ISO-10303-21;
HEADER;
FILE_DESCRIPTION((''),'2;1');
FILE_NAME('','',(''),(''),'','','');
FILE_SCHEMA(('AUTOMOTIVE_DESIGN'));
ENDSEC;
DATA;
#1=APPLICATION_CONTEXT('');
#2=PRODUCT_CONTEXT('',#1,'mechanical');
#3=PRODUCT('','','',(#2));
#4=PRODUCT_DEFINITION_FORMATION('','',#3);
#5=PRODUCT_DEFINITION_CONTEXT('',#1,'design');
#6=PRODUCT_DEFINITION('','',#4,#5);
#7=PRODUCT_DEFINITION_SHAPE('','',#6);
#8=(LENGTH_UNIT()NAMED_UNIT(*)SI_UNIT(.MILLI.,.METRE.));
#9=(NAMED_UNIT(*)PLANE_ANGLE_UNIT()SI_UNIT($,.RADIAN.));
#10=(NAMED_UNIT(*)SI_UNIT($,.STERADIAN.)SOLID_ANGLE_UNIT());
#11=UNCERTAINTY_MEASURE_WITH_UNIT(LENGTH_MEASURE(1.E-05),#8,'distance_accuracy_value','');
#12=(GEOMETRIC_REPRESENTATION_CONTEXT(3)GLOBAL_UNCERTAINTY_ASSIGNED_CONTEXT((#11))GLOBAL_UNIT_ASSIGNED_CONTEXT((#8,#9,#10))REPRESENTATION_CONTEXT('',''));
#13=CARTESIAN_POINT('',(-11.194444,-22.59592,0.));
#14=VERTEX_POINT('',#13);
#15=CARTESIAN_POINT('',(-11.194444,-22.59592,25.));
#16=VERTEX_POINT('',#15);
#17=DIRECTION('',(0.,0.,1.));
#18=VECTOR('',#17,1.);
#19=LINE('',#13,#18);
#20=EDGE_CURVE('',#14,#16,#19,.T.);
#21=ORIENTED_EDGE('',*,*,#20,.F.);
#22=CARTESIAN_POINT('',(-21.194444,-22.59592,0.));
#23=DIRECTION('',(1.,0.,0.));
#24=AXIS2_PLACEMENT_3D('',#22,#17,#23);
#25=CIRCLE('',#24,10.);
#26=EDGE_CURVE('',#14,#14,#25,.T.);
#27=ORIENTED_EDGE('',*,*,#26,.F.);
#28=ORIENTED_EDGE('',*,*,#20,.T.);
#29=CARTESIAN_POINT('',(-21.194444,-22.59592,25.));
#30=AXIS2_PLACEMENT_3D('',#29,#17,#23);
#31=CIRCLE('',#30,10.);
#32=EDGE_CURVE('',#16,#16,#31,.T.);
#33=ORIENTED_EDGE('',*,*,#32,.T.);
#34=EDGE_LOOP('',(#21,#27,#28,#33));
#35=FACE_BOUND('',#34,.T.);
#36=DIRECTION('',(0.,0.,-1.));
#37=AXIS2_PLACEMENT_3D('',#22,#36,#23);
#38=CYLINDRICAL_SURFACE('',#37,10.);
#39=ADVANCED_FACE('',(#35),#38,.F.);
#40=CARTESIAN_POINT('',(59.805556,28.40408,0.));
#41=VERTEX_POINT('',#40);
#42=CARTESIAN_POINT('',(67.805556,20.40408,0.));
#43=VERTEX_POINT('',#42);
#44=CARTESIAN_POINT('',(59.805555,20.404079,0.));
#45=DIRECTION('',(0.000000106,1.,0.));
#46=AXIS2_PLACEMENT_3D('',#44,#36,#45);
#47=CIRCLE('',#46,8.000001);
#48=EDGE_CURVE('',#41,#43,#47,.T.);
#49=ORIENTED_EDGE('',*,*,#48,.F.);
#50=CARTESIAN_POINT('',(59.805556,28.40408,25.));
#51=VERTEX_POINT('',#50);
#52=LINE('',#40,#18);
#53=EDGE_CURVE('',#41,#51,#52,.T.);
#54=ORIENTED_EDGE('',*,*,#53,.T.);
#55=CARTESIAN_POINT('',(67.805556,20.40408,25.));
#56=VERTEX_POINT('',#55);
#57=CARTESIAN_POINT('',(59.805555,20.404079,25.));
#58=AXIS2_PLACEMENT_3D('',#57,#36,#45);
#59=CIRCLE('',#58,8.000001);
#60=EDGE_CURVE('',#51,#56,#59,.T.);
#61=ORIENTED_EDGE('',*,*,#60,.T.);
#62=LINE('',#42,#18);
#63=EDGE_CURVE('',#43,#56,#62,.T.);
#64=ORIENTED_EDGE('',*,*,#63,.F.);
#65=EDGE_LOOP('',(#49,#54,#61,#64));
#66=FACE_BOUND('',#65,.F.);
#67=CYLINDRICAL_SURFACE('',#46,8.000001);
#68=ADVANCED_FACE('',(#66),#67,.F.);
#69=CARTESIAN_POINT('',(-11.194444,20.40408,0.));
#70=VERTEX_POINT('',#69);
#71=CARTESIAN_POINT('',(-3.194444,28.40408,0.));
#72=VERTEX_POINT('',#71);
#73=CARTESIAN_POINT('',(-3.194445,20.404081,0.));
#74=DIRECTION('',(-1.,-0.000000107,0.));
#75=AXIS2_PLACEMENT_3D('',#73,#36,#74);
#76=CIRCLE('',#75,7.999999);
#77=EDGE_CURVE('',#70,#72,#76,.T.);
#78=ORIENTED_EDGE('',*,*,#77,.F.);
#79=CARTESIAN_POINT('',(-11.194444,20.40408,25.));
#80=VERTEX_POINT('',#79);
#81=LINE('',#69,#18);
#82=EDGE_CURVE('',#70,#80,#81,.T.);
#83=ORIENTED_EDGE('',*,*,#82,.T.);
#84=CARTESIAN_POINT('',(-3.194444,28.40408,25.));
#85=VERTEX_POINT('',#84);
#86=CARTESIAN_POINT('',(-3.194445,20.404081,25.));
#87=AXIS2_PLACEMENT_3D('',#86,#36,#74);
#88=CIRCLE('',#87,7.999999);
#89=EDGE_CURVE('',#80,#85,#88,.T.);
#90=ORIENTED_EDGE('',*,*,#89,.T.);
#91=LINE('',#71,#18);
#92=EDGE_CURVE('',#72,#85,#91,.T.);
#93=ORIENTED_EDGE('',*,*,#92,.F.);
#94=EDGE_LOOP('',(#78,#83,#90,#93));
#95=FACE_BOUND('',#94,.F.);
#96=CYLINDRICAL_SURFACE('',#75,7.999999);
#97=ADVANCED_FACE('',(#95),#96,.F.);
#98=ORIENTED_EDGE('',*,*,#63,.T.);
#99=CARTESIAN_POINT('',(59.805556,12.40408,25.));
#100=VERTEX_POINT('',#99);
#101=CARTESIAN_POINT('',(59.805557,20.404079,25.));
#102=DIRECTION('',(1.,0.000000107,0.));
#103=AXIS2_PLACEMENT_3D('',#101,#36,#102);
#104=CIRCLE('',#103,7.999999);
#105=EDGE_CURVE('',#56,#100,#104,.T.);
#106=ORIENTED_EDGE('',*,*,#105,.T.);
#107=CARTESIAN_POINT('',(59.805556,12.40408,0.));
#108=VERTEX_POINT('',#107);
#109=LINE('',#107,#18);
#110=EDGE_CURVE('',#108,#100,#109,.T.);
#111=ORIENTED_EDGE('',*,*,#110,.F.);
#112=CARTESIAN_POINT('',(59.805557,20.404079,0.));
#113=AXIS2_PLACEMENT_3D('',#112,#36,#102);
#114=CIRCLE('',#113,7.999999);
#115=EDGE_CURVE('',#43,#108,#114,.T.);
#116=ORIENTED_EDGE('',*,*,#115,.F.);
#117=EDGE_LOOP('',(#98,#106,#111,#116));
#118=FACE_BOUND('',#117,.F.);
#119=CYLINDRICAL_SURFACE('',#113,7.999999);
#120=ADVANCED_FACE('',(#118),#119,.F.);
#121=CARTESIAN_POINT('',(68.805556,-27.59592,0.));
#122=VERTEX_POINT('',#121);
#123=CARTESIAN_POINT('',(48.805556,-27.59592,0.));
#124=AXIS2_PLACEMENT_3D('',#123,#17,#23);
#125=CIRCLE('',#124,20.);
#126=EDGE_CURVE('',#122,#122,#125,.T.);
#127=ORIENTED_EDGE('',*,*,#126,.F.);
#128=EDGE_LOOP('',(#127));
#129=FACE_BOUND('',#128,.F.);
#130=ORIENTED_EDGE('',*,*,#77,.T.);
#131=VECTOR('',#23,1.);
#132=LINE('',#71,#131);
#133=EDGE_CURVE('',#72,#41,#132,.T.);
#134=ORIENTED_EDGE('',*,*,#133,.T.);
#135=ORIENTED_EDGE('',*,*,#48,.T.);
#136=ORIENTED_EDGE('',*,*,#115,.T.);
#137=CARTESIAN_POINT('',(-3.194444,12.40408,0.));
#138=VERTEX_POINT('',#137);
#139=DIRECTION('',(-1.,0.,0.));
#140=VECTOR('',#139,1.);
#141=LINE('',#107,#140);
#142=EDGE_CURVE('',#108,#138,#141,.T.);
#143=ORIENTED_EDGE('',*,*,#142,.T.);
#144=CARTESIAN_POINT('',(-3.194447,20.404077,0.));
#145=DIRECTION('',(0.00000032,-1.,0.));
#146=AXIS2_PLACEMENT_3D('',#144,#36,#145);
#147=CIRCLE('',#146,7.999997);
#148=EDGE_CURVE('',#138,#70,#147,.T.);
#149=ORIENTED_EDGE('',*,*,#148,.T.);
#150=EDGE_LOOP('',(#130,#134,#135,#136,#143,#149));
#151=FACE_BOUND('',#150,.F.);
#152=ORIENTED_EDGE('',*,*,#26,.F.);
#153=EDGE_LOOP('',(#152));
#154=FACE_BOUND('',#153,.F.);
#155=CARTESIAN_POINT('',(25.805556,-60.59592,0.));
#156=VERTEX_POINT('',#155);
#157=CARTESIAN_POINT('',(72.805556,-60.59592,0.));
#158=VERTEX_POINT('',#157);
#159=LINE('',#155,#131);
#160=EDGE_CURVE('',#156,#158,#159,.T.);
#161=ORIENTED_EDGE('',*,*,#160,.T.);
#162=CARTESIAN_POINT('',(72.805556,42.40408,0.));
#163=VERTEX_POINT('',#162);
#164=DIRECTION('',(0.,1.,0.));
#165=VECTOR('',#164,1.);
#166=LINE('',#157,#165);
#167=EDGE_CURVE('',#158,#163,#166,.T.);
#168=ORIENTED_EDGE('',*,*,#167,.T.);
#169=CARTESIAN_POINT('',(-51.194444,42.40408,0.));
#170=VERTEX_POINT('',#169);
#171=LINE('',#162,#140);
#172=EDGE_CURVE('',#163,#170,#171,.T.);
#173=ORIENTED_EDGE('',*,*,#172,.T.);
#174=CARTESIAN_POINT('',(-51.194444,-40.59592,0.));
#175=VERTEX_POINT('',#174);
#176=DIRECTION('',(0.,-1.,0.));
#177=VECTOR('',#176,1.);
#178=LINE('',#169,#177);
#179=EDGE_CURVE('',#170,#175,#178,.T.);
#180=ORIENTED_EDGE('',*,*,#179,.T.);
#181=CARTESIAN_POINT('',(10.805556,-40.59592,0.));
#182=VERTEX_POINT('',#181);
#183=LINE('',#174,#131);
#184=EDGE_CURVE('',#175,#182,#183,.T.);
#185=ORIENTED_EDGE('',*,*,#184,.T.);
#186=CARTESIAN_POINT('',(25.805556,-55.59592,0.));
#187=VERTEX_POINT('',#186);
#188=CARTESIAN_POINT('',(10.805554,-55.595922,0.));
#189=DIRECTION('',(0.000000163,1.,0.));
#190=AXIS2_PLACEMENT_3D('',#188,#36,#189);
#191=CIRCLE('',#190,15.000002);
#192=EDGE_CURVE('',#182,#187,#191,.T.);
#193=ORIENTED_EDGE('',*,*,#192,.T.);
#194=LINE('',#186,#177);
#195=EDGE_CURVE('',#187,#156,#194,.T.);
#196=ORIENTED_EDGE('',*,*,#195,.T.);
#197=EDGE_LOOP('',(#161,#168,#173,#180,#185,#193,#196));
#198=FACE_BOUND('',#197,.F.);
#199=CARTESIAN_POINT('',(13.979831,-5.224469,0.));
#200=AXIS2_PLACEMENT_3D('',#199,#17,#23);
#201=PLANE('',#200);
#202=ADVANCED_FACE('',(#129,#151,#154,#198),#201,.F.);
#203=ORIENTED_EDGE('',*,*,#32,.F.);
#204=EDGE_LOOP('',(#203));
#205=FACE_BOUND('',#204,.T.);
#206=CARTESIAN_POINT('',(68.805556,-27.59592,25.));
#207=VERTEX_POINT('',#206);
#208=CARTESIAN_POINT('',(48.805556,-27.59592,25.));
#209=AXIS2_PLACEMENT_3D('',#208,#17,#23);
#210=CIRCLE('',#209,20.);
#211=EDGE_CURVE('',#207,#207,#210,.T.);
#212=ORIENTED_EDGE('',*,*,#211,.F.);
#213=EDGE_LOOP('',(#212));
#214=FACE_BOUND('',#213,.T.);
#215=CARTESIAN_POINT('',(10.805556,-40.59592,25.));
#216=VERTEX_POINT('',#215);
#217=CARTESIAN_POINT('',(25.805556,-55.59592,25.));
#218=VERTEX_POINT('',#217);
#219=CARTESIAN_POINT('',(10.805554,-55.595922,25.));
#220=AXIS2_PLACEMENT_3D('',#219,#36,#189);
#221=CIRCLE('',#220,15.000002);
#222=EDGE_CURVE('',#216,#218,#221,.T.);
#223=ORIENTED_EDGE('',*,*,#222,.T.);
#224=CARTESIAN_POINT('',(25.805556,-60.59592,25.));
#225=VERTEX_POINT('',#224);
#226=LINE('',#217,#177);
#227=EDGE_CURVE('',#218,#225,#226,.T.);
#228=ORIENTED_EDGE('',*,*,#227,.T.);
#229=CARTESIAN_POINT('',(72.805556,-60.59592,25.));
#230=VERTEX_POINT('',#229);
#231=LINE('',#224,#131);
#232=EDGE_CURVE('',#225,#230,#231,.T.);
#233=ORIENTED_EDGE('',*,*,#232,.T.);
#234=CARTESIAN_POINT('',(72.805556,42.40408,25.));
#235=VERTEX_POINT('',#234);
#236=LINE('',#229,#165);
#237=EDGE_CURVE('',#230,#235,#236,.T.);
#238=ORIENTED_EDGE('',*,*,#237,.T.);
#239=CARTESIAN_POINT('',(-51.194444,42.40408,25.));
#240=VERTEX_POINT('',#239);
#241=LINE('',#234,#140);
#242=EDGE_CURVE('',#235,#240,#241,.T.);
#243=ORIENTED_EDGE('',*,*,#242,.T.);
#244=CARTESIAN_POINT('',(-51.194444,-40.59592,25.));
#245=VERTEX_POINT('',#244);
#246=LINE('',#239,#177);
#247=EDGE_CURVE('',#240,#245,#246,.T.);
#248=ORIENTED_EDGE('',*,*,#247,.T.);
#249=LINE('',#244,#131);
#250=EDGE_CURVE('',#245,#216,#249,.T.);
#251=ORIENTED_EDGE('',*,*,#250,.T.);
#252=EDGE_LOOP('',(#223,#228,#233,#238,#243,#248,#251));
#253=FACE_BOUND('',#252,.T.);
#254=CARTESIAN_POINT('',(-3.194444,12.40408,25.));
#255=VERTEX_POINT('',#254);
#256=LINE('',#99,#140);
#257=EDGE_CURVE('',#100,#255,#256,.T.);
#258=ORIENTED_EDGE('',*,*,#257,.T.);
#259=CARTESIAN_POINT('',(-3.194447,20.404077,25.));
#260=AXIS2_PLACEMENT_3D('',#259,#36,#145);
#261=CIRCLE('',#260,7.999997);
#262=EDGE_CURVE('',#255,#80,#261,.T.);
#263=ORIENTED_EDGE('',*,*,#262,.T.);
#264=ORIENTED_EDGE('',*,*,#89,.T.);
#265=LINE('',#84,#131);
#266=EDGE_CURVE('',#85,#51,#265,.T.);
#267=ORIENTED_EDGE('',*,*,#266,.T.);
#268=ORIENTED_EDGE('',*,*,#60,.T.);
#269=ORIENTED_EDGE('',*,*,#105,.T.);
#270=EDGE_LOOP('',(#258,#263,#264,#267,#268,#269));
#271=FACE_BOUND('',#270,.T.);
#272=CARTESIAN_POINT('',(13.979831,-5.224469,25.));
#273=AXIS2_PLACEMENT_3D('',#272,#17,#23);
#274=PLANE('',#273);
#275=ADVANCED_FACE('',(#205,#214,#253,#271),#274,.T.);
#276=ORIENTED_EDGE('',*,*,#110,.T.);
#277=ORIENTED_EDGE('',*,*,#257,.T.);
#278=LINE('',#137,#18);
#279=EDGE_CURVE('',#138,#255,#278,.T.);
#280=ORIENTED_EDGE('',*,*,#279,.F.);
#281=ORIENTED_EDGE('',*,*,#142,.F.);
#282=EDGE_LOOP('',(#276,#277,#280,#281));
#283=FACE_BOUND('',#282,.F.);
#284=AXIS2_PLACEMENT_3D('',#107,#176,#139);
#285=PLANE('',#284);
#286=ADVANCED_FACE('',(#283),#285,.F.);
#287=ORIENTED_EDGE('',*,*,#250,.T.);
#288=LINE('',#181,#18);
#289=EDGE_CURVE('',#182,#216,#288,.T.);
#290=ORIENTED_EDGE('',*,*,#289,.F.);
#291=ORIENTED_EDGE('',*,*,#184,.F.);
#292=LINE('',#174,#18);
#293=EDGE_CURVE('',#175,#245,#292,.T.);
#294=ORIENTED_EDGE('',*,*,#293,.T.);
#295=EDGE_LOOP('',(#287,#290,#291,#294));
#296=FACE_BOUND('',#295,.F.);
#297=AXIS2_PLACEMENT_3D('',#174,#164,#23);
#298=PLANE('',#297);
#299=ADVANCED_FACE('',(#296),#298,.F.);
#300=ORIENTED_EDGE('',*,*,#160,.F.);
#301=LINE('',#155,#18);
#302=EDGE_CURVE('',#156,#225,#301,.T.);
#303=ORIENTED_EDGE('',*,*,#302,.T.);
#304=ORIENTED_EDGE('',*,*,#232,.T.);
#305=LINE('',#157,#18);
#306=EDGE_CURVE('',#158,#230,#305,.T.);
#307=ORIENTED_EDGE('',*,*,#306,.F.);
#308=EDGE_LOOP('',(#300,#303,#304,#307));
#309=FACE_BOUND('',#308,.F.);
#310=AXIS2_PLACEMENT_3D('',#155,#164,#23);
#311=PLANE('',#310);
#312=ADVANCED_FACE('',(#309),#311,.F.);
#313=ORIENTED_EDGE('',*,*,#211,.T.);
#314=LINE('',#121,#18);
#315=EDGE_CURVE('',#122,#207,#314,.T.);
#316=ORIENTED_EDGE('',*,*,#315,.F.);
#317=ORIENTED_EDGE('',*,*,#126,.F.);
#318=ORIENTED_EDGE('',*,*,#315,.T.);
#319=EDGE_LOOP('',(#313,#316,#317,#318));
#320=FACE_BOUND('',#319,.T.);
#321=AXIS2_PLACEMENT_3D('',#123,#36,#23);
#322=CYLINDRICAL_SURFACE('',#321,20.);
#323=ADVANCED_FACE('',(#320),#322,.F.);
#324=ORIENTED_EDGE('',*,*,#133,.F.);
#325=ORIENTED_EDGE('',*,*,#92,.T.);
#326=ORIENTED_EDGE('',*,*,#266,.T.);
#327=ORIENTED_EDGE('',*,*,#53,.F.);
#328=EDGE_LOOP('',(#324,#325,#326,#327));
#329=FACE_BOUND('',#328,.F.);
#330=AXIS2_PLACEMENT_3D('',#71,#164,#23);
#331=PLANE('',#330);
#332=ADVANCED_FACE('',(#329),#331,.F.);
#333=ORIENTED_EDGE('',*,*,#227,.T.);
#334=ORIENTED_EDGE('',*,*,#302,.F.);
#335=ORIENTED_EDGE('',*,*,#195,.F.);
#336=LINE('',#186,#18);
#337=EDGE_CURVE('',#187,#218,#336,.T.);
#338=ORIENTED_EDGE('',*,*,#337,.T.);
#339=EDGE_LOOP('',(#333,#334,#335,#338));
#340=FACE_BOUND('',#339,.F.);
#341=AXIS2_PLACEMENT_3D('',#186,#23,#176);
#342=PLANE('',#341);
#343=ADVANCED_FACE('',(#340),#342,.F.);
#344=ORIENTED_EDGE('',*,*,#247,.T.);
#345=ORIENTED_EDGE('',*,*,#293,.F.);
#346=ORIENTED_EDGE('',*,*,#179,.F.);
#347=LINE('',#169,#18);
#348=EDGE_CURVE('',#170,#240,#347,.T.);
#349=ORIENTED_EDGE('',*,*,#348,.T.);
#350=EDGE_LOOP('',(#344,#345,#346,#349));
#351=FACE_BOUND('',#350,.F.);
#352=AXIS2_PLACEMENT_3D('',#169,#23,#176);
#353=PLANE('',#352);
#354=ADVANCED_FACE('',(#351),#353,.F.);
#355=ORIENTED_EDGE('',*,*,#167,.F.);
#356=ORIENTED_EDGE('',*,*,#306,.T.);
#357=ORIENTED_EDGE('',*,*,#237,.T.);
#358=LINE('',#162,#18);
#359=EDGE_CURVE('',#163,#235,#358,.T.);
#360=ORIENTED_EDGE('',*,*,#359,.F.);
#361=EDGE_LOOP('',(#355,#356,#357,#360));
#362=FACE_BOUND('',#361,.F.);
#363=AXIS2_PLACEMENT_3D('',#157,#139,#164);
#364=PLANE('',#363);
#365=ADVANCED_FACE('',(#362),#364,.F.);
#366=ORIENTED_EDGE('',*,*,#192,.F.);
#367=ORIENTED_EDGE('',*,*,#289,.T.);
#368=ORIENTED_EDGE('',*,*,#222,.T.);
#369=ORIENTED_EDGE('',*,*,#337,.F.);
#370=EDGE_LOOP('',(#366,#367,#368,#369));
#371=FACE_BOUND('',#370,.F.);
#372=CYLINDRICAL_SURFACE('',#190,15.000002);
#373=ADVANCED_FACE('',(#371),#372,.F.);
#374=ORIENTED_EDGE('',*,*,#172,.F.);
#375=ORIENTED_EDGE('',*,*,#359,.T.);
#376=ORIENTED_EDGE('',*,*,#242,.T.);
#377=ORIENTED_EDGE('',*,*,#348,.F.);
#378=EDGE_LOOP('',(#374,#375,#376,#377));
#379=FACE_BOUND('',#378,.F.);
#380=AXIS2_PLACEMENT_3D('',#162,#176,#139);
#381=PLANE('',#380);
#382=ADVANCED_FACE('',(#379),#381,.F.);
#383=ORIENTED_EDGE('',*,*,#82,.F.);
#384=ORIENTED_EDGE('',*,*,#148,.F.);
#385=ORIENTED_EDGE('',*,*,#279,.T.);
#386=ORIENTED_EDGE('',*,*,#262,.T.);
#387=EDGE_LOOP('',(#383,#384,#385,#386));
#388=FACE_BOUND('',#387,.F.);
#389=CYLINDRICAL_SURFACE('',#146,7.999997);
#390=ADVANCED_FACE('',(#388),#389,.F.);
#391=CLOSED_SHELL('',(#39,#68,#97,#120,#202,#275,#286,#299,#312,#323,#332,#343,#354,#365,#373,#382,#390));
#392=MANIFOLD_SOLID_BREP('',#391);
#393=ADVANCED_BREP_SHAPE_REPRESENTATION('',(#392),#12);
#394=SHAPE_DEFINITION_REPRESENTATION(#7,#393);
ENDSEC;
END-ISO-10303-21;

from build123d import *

# Parameters (mm, degrees)
F0_R     = 10
F0_R_2   = 20
F1_DEPTH = 25


with BuildPart() as f1:
    # F0 (on Top) → F1 (new body)
    with BuildSketch(Plane.XY):
        with BuildLine():
            Line((72.805556, 42.40408), (-51.194444, 42.40408))
            Line((-51.194444, 42.40408), (-51.194444, -40.59592))
            Line((-51.194444, -40.59592), (10.805556, -40.59592))
            ThreePointArc((10.805556, -40.59592), (21.412157, -44.989319), (25.805556, -55.59592))
            Line((25.805556, -55.59592), (25.805556, -60.59592))
            Line((25.805556, -60.59592), (72.805556, -60.59592))
            Line((72.805556, -60.59592), (72.805556, 42.40408))
        make_face()
        with Locations((-21.194444, -22.59592)):
            Circle(F0_R, mode=Mode.SUBTRACT)
        with Locations((48.805556, -27.59592)):
            Circle(F0_R_2, mode=Mode.SUBTRACT)
        with BuildLine():
            Line((-3.194444, 28.40408), (59.805556, 28.40408))
            ThreePointArc((59.805556, 28.40408), (65.46241, 26.060934), (67.805556, 20.40408))
            ThreePointArc((67.805556, 20.40408), (65.46241, 14.747225), (59.805556, 12.40408))
            Line((59.805556, 12.40408), (-3.194444, 12.40408))
            ThreePointArc((-3.194444, 12.40408), (-8.851299, 14.747225), (-11.194444, 20.40408))
            ThreePointArc((-11.194444, 20.40408), (-8.851299, 26.060934), (-3.194444, 28.40408))
        make_face(mode=Mode.SUBTRACT)
    extrude(amount=F1_DEPTH)


solid = f1.part
